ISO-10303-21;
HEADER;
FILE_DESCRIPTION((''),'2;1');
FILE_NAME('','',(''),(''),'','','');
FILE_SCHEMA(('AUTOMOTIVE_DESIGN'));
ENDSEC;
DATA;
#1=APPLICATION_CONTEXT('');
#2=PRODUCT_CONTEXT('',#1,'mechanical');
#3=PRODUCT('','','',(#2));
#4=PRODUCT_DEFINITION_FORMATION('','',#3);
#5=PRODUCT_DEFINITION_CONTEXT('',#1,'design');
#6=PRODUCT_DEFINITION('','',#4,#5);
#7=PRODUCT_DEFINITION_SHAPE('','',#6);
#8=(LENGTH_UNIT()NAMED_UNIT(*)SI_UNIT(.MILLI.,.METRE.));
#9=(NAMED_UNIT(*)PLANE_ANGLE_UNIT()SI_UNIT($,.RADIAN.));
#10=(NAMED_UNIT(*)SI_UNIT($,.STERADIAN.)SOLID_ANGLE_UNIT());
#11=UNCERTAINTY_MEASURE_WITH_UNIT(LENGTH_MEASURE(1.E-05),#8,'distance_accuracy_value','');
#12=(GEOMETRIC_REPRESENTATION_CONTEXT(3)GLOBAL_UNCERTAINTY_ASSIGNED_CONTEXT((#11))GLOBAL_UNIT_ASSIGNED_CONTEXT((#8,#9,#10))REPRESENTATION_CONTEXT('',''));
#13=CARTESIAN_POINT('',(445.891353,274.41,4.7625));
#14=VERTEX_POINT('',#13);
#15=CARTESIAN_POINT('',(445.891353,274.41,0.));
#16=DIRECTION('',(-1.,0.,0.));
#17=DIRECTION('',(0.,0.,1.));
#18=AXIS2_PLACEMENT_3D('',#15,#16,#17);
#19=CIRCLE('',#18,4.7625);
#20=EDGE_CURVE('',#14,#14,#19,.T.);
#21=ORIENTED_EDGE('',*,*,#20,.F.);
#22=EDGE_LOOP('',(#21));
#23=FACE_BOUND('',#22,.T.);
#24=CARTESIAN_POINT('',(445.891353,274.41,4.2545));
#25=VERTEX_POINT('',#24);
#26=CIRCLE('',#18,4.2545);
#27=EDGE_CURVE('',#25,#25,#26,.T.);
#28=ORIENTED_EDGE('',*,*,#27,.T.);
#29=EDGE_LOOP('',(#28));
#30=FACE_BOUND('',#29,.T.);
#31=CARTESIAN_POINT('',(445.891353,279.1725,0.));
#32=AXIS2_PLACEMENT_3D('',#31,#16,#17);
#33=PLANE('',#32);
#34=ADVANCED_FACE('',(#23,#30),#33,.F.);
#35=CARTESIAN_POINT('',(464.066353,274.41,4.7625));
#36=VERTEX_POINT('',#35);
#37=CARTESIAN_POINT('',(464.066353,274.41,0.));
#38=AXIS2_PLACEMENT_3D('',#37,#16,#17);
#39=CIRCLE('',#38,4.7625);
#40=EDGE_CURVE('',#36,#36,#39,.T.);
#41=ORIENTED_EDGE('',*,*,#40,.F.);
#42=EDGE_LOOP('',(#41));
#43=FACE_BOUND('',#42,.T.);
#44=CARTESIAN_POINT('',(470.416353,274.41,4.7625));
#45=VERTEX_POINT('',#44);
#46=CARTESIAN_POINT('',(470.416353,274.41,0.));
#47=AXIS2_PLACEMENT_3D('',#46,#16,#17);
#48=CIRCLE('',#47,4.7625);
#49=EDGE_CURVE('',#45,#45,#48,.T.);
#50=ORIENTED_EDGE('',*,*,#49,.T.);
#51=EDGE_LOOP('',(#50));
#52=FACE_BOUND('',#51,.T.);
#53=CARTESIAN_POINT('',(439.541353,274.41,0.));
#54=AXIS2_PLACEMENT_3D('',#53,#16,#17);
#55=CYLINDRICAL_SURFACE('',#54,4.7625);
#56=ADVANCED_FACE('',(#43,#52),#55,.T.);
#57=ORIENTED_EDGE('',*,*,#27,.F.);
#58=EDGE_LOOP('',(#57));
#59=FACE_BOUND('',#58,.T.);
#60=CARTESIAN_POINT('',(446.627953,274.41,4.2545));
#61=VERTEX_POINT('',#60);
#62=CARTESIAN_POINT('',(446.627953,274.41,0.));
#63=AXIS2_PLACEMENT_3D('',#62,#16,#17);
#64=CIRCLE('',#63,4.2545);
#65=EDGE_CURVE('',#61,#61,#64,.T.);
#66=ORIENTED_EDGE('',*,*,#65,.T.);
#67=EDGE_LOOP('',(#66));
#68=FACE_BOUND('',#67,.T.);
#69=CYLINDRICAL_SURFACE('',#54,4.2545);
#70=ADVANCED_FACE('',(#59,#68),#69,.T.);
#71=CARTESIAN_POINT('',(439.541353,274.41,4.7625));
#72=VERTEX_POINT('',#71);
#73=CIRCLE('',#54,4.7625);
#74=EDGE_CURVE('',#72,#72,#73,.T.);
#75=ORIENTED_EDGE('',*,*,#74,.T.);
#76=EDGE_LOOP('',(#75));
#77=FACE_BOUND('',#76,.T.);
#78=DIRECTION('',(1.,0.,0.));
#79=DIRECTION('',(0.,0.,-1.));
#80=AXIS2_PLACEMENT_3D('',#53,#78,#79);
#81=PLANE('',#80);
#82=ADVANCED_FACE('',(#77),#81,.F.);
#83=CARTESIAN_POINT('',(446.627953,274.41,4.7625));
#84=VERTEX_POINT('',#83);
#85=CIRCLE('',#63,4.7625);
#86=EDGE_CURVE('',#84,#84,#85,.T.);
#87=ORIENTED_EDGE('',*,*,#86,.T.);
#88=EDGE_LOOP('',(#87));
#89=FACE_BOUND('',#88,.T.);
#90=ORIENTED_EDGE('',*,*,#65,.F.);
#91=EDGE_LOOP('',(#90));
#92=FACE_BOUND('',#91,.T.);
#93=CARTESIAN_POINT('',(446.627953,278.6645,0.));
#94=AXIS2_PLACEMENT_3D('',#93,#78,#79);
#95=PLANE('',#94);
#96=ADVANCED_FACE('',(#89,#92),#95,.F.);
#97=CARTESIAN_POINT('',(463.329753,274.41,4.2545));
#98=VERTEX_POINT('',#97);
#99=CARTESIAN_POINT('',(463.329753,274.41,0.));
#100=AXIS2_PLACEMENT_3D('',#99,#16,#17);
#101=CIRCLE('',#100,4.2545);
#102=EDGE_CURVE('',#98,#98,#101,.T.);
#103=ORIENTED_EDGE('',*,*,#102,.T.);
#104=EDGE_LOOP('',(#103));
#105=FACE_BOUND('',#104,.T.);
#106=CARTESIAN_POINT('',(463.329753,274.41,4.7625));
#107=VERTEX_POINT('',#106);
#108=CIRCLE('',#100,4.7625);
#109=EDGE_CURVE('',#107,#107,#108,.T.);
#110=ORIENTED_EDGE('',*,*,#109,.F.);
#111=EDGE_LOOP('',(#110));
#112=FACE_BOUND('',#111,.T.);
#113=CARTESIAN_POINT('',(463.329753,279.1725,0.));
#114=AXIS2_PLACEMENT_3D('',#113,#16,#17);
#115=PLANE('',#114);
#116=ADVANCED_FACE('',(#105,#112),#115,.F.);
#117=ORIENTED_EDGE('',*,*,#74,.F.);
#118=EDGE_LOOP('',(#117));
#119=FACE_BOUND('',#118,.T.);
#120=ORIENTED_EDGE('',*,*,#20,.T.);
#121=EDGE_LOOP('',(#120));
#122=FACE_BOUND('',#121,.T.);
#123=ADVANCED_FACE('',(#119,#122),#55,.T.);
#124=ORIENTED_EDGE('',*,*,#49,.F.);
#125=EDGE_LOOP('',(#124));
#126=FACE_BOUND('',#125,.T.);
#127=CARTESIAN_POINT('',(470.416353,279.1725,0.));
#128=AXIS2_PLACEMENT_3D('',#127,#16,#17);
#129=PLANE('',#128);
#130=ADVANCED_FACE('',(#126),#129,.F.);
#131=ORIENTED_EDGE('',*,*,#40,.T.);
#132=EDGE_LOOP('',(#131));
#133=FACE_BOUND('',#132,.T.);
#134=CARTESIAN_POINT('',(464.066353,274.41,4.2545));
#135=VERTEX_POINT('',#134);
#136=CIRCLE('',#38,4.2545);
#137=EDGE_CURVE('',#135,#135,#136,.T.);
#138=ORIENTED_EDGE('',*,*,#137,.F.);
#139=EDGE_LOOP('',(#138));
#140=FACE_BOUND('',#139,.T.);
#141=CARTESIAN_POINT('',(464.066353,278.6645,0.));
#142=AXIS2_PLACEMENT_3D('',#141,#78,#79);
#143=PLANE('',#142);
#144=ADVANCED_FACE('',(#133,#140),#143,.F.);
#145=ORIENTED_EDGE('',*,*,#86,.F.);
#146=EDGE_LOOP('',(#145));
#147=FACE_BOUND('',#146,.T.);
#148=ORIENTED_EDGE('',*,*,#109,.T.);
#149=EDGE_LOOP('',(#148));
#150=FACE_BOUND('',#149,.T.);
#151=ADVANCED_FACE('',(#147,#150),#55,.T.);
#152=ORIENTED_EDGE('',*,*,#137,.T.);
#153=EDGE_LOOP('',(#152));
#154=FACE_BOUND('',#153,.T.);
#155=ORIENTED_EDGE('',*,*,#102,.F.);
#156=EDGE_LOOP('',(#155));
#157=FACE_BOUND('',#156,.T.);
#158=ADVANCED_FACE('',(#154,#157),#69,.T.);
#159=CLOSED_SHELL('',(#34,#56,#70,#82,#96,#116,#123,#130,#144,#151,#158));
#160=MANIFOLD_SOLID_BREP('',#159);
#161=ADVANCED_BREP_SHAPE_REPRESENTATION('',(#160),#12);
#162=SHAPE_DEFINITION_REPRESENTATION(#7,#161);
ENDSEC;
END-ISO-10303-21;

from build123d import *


with BuildPart() as part:
    # Sketch2 → Revolve1 (revolve)
    with BuildSketch(Plane.XY):
        Polygon((439.54135273, 274.410000074), (439.54135273, 279.172500074), (445.89135273, 279.172500074), (445.89135273, 278.664500074), (446.62795273, 278.664500074), (446.62795273, 279.172500074), (463.32975273, 279.172500074), (463.32975273, 278.664500074), (464.06635273, 278.664500074), (464.06635273, 279.172500074), (470.41635273, 279.172500074), (470.41635273, 274.410000074), align=None)
    revolve(axis=Axis((439.54135273, 274.410000074, 0), (1, 0, 0)))


solid = part.part
